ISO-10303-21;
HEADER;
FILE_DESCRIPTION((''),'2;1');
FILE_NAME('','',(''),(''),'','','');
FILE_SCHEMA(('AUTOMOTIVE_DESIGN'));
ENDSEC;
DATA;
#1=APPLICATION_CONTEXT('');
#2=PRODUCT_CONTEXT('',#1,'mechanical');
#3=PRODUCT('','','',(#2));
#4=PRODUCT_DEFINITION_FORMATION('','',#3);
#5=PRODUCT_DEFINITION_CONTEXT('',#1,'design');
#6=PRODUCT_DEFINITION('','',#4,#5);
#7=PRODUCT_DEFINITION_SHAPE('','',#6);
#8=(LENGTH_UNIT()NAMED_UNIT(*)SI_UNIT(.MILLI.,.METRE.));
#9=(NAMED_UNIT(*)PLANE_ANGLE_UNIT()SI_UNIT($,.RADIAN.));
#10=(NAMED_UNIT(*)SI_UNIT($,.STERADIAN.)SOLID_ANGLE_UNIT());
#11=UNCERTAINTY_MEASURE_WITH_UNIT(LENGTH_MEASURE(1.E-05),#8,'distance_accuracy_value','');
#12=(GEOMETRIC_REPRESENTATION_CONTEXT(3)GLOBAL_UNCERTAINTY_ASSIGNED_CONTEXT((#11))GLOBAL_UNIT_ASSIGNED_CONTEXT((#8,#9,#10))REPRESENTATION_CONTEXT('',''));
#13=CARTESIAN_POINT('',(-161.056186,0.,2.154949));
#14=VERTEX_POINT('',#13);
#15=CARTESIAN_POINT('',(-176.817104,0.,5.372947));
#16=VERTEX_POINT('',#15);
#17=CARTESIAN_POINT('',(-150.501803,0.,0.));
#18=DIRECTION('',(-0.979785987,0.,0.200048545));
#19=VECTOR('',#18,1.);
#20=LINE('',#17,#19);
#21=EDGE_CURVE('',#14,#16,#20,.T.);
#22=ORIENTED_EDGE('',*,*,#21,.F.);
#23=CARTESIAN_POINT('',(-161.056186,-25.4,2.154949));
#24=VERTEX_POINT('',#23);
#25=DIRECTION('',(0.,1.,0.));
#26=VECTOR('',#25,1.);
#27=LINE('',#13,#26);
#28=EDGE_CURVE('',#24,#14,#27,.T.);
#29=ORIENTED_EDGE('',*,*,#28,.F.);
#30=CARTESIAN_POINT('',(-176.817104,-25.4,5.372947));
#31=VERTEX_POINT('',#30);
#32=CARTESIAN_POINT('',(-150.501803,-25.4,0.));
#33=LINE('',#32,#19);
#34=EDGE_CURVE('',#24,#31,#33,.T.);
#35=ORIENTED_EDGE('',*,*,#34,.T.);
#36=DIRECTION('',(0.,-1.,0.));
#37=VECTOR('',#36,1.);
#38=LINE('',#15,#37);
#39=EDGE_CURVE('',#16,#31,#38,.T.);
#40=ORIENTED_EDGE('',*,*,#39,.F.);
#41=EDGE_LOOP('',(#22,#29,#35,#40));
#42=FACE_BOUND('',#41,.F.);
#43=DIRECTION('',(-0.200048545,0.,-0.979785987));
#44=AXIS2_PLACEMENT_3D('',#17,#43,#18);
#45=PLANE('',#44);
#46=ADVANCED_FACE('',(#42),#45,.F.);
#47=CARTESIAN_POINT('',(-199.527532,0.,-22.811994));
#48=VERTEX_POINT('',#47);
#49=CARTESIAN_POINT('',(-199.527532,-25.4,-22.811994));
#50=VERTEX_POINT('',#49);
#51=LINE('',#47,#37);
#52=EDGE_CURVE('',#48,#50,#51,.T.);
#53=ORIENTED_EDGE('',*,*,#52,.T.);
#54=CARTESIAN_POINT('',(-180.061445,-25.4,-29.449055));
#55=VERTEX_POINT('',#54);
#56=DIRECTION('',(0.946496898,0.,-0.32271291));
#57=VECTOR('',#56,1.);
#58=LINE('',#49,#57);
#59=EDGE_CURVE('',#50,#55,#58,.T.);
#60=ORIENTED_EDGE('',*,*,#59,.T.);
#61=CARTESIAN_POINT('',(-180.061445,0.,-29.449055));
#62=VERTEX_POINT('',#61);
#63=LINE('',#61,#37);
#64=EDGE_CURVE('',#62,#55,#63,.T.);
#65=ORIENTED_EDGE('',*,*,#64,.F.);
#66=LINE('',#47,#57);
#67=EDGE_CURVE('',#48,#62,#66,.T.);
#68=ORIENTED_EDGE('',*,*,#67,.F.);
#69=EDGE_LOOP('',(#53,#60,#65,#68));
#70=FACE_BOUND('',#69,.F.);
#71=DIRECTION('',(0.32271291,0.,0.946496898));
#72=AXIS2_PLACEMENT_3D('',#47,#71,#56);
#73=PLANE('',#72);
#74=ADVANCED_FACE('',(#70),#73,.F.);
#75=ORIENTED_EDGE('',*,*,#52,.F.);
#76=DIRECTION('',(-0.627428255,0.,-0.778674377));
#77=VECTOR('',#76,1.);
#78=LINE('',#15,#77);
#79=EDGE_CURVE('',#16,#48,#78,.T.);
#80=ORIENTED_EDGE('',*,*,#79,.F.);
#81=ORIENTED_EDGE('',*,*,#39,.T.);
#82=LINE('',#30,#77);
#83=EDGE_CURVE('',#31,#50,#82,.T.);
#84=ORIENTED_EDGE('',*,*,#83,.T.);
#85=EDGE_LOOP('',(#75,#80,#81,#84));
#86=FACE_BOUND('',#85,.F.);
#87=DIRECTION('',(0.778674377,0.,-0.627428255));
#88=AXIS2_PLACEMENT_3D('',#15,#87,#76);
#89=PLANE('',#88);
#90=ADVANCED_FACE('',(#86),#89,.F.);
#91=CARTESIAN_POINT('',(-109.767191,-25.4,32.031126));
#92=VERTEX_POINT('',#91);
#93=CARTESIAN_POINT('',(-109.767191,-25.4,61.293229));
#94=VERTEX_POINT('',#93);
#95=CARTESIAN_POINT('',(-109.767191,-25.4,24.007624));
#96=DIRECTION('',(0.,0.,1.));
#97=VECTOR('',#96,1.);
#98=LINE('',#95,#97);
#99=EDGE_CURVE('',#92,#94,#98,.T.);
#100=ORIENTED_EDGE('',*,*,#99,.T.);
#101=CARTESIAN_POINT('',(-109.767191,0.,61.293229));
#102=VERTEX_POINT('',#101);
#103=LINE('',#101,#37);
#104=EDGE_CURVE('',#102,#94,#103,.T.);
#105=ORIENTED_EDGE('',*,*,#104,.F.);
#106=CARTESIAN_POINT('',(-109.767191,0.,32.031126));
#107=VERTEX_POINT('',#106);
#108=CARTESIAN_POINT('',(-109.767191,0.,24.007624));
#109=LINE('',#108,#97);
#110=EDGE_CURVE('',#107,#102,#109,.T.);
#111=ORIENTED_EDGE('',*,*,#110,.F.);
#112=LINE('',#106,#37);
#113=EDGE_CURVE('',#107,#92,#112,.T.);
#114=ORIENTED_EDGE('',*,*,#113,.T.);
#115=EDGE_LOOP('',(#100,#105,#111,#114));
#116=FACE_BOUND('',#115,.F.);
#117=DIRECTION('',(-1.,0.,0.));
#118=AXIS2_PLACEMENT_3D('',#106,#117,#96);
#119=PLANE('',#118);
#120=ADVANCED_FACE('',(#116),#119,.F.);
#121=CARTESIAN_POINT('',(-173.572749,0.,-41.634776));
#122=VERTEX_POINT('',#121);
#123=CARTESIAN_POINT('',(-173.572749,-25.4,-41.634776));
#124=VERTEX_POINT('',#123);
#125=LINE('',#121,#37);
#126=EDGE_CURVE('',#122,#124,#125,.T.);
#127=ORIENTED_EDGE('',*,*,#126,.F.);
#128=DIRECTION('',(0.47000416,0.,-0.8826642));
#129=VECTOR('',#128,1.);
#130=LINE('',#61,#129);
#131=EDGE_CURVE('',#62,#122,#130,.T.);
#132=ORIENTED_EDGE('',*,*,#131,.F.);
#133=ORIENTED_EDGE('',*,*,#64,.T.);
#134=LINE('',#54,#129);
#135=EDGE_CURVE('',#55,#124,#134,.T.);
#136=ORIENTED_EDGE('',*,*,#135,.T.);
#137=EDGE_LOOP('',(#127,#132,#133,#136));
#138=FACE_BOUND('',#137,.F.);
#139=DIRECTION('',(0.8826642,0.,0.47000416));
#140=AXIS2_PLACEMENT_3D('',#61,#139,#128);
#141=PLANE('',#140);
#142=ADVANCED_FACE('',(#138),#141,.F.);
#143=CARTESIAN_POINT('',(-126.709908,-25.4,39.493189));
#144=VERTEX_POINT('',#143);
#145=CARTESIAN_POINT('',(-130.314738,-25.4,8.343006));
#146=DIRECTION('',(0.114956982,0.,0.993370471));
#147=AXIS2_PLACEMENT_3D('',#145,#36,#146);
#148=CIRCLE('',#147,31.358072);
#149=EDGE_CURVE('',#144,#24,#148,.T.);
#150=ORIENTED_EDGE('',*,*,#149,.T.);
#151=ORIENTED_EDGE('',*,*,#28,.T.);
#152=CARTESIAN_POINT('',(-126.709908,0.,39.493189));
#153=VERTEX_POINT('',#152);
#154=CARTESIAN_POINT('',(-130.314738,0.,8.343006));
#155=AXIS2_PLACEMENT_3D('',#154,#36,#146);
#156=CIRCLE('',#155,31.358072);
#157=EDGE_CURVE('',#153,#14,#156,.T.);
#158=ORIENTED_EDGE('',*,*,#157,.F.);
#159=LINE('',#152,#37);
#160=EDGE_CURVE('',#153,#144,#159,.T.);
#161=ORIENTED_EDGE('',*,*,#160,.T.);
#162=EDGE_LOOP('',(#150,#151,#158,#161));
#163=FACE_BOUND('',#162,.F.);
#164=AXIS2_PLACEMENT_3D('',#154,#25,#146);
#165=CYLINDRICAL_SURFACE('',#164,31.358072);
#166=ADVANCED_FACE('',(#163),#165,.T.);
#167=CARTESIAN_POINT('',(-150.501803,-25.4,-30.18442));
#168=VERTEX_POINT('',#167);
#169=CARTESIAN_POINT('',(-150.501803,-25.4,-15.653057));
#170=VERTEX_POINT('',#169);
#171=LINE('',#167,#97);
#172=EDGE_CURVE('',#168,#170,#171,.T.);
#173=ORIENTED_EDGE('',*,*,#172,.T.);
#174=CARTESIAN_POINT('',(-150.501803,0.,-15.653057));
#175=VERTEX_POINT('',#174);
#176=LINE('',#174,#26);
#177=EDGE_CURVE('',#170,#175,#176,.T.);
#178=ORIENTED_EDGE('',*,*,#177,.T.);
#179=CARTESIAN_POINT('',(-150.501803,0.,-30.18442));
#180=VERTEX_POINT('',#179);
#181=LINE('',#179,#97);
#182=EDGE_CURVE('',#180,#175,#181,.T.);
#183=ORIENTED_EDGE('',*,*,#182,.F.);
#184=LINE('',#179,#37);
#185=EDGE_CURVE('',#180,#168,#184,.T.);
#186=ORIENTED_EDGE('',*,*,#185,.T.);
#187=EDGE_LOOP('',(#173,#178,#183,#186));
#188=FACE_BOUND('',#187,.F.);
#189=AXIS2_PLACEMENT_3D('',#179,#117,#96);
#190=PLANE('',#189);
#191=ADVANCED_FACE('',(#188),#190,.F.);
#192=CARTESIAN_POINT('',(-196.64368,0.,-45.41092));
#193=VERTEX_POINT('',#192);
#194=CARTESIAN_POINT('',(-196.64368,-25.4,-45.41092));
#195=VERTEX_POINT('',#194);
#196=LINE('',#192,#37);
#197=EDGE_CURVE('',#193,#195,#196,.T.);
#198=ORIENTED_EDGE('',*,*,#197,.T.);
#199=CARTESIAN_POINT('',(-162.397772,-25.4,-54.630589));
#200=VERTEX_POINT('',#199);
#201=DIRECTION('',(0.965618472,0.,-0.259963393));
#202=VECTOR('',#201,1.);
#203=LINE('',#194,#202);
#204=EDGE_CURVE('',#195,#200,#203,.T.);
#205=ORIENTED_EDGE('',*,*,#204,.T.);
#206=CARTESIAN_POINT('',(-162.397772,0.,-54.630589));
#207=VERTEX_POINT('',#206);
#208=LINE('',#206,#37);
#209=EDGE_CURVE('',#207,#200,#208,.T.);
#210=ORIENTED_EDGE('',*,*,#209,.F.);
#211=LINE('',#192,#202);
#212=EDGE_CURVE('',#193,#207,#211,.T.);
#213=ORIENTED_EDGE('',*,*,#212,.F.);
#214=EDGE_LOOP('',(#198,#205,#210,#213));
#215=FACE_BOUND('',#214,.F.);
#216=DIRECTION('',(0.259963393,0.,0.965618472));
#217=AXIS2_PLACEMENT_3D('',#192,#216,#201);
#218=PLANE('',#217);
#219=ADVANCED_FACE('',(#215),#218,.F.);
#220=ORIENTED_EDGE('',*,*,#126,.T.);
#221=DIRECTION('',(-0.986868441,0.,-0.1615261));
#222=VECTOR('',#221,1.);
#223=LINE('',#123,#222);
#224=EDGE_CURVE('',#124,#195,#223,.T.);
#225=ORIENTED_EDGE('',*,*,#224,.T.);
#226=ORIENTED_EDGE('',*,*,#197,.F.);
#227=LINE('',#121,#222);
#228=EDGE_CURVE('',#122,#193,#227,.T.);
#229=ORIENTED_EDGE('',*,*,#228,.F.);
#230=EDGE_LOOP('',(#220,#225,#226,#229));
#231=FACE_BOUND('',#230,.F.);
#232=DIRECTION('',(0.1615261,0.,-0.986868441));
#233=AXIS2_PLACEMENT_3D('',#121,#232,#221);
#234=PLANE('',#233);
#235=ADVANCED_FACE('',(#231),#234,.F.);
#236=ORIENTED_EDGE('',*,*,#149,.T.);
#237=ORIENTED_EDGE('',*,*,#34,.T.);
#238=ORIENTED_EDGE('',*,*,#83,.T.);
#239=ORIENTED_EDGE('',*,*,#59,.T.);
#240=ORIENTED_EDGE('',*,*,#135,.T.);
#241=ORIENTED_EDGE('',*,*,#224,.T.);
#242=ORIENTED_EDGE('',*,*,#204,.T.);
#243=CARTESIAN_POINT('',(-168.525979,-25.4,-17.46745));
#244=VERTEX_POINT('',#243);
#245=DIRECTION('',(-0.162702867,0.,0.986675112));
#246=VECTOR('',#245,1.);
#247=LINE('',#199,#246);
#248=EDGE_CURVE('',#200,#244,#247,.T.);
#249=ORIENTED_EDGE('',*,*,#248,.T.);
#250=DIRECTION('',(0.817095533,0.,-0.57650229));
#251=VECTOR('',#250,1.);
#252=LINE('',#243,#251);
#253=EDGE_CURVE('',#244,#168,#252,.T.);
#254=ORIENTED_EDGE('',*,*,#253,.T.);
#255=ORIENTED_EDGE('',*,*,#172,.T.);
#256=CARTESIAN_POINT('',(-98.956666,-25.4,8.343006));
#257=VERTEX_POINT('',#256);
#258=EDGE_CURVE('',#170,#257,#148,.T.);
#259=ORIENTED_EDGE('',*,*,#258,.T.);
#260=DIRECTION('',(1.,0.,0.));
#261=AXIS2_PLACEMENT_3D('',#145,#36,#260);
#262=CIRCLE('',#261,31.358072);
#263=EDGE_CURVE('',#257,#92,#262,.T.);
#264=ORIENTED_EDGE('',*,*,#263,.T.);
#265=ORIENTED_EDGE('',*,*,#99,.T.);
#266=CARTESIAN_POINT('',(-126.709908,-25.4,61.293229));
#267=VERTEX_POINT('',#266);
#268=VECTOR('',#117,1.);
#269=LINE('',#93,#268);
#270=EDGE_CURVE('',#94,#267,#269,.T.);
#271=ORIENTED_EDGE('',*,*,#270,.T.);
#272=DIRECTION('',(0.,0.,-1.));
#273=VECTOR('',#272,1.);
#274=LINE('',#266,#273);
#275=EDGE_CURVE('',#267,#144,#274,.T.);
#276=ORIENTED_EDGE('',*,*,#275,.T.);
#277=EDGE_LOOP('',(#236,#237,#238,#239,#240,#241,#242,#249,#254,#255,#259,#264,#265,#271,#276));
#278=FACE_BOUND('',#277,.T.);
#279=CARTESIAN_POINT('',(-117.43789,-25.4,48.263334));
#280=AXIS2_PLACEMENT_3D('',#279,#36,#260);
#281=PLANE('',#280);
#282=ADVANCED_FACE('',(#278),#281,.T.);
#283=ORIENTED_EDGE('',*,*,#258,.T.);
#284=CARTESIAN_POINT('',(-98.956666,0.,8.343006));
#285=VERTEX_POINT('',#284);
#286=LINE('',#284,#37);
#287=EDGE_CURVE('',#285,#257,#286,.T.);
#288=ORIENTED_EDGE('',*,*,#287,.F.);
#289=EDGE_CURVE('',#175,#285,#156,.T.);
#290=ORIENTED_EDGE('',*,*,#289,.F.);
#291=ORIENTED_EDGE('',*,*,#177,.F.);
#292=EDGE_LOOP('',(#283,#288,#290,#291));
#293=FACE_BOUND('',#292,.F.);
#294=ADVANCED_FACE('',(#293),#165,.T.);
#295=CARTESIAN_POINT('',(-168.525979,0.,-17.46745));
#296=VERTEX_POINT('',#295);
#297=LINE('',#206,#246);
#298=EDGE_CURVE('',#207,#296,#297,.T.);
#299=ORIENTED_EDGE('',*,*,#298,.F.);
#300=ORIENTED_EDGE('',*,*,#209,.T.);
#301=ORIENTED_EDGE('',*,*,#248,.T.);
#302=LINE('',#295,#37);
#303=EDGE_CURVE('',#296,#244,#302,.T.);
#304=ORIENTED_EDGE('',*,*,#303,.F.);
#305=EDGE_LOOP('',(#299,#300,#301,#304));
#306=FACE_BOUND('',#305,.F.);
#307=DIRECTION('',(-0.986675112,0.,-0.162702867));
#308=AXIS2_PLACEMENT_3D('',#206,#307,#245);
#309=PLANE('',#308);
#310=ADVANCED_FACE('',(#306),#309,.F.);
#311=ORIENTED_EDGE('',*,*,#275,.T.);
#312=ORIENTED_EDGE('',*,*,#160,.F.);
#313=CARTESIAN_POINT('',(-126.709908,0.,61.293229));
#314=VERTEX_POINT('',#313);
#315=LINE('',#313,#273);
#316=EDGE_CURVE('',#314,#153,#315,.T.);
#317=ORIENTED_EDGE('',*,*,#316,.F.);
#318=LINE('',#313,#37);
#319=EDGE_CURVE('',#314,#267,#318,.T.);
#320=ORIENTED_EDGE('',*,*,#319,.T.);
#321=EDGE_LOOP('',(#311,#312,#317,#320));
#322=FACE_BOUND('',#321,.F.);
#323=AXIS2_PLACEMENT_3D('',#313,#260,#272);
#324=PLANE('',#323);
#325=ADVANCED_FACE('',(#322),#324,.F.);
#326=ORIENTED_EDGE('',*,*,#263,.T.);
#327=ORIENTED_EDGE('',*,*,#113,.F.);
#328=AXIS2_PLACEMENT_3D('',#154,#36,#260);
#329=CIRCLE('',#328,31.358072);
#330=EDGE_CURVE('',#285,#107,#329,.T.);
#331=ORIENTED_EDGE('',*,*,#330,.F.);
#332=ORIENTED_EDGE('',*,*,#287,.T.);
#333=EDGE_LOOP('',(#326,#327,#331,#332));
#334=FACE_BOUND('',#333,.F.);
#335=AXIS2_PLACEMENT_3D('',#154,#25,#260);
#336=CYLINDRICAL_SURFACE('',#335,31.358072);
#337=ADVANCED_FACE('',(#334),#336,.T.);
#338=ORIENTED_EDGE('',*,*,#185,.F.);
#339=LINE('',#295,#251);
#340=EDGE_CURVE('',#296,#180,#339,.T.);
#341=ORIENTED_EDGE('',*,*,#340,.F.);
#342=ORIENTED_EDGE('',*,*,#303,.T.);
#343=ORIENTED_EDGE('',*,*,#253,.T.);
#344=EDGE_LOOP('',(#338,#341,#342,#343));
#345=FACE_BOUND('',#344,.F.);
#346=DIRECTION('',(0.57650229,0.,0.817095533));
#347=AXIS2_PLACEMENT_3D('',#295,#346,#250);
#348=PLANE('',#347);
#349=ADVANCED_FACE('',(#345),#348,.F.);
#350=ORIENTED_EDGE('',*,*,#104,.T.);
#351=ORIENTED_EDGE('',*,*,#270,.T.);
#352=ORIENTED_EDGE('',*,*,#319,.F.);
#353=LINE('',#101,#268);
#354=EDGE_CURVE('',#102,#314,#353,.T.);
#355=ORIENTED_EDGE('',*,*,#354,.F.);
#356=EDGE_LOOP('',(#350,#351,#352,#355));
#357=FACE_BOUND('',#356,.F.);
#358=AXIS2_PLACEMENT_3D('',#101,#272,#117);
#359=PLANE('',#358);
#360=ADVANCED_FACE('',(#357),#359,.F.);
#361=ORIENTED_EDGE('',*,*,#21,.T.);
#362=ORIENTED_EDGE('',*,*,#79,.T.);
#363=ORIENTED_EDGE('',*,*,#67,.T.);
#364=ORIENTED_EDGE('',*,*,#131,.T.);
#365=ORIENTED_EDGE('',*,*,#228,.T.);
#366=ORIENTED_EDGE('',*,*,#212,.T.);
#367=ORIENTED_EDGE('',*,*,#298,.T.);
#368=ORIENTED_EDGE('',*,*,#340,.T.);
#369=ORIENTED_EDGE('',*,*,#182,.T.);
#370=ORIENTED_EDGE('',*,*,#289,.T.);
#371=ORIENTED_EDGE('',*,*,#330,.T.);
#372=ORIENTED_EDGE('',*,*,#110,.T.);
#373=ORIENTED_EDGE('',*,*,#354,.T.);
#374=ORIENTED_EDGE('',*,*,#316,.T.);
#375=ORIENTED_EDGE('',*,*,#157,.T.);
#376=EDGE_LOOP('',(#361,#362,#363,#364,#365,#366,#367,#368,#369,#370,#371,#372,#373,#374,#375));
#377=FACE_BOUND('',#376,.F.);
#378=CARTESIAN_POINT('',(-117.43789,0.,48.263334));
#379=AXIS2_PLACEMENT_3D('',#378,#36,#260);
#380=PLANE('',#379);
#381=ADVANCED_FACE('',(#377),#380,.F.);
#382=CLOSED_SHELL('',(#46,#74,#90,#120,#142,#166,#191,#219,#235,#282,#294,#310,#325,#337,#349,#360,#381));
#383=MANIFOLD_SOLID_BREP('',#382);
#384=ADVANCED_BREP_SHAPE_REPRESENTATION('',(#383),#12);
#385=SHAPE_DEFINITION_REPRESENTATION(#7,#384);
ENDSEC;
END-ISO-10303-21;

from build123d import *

# Parameters (mm, degrees)
F1_DEPTH = 25.4
F3_DEPTH = 25.4


with BuildPart() as f1:
    # F0 (on Front) → F1 (new body)
    with BuildSketch(Plane.XZ):
        Polygon((-199.5275318623, -22.8119939566), (-180.0614446402, -29.4490549713), (-173.5727488995, -41.6347756982), (-196.6436803341, -45.4109199345), (-162.3977720737, -54.6305887401), (-168.5259789228, -17.4674503505), (-150.5018025637, -30.1844198257), (-150.5018025637, 0), (-176.8171042204, 5.3729466163), align=None)
    extrude(amount=F1_DEPTH)

    # F2 (on Front) → F3 (join)
    with BuildSketch(Plane.XZ):
        with BuildLine():
            Line((-109.767191112, 61.2932294607), (-126.709908247, 61.2932294607))
            Line((-126.709908247, 61.2932294607), (-126.709908247, 39.4931892306))
            ThreePointArc((-126.709908247, 39.4931892306), (-117.6753186658, 37.0409814921), (-109.767191112, 32.031126176))
            Line((-109.767191112, 32.031126176), (-109.767191112, 61.2932294607))
        make_face()
        with BuildLine():
            ThreePointArc((-109.767191112, 32.031126176), (-117.6753186658, 37.0409814921), (-126.709908247, 39.4931892306))
            Line((-126.709908247, 39.4931892306), (-126.709908247, 24.0076240152))
            Line((-126.709908247, 24.0076240152), (-109.767191112, 24.0076240152))
            Line((-109.767191112, 24.0076240152), (-109.767191112, 32.031126176))
        make_face()
        with BuildLine():
            Line((-126.709908247, 24.0076240152), (-126.709908247, 39.4931892306))
            ThreePointArc((-126.709908247, 39.4931892306), (-141.5942846277, 37.6022015758), (-153.8963533146, 29.0126963179))
            ThreePointArc((-153.8963533146, 29.0126963179), (-141.3568088034, -21.0066330726), (-98.9566655593, 8.3430064842))
            ThreePointArc((-98.9566655593, 8.3430064842), (-101.7870306722, 21.3621700255), (-109.767191112, 32.031126176))
            Line((-109.767191112, 32.031126176), (-109.767191112, 24.0076240152))
            Line((-109.767191112, 24.0076240152), (-126.709908247, 24.0076240152))
        make_face()
    extrude(amount=F3_DEPTH)


solid = f1.part
